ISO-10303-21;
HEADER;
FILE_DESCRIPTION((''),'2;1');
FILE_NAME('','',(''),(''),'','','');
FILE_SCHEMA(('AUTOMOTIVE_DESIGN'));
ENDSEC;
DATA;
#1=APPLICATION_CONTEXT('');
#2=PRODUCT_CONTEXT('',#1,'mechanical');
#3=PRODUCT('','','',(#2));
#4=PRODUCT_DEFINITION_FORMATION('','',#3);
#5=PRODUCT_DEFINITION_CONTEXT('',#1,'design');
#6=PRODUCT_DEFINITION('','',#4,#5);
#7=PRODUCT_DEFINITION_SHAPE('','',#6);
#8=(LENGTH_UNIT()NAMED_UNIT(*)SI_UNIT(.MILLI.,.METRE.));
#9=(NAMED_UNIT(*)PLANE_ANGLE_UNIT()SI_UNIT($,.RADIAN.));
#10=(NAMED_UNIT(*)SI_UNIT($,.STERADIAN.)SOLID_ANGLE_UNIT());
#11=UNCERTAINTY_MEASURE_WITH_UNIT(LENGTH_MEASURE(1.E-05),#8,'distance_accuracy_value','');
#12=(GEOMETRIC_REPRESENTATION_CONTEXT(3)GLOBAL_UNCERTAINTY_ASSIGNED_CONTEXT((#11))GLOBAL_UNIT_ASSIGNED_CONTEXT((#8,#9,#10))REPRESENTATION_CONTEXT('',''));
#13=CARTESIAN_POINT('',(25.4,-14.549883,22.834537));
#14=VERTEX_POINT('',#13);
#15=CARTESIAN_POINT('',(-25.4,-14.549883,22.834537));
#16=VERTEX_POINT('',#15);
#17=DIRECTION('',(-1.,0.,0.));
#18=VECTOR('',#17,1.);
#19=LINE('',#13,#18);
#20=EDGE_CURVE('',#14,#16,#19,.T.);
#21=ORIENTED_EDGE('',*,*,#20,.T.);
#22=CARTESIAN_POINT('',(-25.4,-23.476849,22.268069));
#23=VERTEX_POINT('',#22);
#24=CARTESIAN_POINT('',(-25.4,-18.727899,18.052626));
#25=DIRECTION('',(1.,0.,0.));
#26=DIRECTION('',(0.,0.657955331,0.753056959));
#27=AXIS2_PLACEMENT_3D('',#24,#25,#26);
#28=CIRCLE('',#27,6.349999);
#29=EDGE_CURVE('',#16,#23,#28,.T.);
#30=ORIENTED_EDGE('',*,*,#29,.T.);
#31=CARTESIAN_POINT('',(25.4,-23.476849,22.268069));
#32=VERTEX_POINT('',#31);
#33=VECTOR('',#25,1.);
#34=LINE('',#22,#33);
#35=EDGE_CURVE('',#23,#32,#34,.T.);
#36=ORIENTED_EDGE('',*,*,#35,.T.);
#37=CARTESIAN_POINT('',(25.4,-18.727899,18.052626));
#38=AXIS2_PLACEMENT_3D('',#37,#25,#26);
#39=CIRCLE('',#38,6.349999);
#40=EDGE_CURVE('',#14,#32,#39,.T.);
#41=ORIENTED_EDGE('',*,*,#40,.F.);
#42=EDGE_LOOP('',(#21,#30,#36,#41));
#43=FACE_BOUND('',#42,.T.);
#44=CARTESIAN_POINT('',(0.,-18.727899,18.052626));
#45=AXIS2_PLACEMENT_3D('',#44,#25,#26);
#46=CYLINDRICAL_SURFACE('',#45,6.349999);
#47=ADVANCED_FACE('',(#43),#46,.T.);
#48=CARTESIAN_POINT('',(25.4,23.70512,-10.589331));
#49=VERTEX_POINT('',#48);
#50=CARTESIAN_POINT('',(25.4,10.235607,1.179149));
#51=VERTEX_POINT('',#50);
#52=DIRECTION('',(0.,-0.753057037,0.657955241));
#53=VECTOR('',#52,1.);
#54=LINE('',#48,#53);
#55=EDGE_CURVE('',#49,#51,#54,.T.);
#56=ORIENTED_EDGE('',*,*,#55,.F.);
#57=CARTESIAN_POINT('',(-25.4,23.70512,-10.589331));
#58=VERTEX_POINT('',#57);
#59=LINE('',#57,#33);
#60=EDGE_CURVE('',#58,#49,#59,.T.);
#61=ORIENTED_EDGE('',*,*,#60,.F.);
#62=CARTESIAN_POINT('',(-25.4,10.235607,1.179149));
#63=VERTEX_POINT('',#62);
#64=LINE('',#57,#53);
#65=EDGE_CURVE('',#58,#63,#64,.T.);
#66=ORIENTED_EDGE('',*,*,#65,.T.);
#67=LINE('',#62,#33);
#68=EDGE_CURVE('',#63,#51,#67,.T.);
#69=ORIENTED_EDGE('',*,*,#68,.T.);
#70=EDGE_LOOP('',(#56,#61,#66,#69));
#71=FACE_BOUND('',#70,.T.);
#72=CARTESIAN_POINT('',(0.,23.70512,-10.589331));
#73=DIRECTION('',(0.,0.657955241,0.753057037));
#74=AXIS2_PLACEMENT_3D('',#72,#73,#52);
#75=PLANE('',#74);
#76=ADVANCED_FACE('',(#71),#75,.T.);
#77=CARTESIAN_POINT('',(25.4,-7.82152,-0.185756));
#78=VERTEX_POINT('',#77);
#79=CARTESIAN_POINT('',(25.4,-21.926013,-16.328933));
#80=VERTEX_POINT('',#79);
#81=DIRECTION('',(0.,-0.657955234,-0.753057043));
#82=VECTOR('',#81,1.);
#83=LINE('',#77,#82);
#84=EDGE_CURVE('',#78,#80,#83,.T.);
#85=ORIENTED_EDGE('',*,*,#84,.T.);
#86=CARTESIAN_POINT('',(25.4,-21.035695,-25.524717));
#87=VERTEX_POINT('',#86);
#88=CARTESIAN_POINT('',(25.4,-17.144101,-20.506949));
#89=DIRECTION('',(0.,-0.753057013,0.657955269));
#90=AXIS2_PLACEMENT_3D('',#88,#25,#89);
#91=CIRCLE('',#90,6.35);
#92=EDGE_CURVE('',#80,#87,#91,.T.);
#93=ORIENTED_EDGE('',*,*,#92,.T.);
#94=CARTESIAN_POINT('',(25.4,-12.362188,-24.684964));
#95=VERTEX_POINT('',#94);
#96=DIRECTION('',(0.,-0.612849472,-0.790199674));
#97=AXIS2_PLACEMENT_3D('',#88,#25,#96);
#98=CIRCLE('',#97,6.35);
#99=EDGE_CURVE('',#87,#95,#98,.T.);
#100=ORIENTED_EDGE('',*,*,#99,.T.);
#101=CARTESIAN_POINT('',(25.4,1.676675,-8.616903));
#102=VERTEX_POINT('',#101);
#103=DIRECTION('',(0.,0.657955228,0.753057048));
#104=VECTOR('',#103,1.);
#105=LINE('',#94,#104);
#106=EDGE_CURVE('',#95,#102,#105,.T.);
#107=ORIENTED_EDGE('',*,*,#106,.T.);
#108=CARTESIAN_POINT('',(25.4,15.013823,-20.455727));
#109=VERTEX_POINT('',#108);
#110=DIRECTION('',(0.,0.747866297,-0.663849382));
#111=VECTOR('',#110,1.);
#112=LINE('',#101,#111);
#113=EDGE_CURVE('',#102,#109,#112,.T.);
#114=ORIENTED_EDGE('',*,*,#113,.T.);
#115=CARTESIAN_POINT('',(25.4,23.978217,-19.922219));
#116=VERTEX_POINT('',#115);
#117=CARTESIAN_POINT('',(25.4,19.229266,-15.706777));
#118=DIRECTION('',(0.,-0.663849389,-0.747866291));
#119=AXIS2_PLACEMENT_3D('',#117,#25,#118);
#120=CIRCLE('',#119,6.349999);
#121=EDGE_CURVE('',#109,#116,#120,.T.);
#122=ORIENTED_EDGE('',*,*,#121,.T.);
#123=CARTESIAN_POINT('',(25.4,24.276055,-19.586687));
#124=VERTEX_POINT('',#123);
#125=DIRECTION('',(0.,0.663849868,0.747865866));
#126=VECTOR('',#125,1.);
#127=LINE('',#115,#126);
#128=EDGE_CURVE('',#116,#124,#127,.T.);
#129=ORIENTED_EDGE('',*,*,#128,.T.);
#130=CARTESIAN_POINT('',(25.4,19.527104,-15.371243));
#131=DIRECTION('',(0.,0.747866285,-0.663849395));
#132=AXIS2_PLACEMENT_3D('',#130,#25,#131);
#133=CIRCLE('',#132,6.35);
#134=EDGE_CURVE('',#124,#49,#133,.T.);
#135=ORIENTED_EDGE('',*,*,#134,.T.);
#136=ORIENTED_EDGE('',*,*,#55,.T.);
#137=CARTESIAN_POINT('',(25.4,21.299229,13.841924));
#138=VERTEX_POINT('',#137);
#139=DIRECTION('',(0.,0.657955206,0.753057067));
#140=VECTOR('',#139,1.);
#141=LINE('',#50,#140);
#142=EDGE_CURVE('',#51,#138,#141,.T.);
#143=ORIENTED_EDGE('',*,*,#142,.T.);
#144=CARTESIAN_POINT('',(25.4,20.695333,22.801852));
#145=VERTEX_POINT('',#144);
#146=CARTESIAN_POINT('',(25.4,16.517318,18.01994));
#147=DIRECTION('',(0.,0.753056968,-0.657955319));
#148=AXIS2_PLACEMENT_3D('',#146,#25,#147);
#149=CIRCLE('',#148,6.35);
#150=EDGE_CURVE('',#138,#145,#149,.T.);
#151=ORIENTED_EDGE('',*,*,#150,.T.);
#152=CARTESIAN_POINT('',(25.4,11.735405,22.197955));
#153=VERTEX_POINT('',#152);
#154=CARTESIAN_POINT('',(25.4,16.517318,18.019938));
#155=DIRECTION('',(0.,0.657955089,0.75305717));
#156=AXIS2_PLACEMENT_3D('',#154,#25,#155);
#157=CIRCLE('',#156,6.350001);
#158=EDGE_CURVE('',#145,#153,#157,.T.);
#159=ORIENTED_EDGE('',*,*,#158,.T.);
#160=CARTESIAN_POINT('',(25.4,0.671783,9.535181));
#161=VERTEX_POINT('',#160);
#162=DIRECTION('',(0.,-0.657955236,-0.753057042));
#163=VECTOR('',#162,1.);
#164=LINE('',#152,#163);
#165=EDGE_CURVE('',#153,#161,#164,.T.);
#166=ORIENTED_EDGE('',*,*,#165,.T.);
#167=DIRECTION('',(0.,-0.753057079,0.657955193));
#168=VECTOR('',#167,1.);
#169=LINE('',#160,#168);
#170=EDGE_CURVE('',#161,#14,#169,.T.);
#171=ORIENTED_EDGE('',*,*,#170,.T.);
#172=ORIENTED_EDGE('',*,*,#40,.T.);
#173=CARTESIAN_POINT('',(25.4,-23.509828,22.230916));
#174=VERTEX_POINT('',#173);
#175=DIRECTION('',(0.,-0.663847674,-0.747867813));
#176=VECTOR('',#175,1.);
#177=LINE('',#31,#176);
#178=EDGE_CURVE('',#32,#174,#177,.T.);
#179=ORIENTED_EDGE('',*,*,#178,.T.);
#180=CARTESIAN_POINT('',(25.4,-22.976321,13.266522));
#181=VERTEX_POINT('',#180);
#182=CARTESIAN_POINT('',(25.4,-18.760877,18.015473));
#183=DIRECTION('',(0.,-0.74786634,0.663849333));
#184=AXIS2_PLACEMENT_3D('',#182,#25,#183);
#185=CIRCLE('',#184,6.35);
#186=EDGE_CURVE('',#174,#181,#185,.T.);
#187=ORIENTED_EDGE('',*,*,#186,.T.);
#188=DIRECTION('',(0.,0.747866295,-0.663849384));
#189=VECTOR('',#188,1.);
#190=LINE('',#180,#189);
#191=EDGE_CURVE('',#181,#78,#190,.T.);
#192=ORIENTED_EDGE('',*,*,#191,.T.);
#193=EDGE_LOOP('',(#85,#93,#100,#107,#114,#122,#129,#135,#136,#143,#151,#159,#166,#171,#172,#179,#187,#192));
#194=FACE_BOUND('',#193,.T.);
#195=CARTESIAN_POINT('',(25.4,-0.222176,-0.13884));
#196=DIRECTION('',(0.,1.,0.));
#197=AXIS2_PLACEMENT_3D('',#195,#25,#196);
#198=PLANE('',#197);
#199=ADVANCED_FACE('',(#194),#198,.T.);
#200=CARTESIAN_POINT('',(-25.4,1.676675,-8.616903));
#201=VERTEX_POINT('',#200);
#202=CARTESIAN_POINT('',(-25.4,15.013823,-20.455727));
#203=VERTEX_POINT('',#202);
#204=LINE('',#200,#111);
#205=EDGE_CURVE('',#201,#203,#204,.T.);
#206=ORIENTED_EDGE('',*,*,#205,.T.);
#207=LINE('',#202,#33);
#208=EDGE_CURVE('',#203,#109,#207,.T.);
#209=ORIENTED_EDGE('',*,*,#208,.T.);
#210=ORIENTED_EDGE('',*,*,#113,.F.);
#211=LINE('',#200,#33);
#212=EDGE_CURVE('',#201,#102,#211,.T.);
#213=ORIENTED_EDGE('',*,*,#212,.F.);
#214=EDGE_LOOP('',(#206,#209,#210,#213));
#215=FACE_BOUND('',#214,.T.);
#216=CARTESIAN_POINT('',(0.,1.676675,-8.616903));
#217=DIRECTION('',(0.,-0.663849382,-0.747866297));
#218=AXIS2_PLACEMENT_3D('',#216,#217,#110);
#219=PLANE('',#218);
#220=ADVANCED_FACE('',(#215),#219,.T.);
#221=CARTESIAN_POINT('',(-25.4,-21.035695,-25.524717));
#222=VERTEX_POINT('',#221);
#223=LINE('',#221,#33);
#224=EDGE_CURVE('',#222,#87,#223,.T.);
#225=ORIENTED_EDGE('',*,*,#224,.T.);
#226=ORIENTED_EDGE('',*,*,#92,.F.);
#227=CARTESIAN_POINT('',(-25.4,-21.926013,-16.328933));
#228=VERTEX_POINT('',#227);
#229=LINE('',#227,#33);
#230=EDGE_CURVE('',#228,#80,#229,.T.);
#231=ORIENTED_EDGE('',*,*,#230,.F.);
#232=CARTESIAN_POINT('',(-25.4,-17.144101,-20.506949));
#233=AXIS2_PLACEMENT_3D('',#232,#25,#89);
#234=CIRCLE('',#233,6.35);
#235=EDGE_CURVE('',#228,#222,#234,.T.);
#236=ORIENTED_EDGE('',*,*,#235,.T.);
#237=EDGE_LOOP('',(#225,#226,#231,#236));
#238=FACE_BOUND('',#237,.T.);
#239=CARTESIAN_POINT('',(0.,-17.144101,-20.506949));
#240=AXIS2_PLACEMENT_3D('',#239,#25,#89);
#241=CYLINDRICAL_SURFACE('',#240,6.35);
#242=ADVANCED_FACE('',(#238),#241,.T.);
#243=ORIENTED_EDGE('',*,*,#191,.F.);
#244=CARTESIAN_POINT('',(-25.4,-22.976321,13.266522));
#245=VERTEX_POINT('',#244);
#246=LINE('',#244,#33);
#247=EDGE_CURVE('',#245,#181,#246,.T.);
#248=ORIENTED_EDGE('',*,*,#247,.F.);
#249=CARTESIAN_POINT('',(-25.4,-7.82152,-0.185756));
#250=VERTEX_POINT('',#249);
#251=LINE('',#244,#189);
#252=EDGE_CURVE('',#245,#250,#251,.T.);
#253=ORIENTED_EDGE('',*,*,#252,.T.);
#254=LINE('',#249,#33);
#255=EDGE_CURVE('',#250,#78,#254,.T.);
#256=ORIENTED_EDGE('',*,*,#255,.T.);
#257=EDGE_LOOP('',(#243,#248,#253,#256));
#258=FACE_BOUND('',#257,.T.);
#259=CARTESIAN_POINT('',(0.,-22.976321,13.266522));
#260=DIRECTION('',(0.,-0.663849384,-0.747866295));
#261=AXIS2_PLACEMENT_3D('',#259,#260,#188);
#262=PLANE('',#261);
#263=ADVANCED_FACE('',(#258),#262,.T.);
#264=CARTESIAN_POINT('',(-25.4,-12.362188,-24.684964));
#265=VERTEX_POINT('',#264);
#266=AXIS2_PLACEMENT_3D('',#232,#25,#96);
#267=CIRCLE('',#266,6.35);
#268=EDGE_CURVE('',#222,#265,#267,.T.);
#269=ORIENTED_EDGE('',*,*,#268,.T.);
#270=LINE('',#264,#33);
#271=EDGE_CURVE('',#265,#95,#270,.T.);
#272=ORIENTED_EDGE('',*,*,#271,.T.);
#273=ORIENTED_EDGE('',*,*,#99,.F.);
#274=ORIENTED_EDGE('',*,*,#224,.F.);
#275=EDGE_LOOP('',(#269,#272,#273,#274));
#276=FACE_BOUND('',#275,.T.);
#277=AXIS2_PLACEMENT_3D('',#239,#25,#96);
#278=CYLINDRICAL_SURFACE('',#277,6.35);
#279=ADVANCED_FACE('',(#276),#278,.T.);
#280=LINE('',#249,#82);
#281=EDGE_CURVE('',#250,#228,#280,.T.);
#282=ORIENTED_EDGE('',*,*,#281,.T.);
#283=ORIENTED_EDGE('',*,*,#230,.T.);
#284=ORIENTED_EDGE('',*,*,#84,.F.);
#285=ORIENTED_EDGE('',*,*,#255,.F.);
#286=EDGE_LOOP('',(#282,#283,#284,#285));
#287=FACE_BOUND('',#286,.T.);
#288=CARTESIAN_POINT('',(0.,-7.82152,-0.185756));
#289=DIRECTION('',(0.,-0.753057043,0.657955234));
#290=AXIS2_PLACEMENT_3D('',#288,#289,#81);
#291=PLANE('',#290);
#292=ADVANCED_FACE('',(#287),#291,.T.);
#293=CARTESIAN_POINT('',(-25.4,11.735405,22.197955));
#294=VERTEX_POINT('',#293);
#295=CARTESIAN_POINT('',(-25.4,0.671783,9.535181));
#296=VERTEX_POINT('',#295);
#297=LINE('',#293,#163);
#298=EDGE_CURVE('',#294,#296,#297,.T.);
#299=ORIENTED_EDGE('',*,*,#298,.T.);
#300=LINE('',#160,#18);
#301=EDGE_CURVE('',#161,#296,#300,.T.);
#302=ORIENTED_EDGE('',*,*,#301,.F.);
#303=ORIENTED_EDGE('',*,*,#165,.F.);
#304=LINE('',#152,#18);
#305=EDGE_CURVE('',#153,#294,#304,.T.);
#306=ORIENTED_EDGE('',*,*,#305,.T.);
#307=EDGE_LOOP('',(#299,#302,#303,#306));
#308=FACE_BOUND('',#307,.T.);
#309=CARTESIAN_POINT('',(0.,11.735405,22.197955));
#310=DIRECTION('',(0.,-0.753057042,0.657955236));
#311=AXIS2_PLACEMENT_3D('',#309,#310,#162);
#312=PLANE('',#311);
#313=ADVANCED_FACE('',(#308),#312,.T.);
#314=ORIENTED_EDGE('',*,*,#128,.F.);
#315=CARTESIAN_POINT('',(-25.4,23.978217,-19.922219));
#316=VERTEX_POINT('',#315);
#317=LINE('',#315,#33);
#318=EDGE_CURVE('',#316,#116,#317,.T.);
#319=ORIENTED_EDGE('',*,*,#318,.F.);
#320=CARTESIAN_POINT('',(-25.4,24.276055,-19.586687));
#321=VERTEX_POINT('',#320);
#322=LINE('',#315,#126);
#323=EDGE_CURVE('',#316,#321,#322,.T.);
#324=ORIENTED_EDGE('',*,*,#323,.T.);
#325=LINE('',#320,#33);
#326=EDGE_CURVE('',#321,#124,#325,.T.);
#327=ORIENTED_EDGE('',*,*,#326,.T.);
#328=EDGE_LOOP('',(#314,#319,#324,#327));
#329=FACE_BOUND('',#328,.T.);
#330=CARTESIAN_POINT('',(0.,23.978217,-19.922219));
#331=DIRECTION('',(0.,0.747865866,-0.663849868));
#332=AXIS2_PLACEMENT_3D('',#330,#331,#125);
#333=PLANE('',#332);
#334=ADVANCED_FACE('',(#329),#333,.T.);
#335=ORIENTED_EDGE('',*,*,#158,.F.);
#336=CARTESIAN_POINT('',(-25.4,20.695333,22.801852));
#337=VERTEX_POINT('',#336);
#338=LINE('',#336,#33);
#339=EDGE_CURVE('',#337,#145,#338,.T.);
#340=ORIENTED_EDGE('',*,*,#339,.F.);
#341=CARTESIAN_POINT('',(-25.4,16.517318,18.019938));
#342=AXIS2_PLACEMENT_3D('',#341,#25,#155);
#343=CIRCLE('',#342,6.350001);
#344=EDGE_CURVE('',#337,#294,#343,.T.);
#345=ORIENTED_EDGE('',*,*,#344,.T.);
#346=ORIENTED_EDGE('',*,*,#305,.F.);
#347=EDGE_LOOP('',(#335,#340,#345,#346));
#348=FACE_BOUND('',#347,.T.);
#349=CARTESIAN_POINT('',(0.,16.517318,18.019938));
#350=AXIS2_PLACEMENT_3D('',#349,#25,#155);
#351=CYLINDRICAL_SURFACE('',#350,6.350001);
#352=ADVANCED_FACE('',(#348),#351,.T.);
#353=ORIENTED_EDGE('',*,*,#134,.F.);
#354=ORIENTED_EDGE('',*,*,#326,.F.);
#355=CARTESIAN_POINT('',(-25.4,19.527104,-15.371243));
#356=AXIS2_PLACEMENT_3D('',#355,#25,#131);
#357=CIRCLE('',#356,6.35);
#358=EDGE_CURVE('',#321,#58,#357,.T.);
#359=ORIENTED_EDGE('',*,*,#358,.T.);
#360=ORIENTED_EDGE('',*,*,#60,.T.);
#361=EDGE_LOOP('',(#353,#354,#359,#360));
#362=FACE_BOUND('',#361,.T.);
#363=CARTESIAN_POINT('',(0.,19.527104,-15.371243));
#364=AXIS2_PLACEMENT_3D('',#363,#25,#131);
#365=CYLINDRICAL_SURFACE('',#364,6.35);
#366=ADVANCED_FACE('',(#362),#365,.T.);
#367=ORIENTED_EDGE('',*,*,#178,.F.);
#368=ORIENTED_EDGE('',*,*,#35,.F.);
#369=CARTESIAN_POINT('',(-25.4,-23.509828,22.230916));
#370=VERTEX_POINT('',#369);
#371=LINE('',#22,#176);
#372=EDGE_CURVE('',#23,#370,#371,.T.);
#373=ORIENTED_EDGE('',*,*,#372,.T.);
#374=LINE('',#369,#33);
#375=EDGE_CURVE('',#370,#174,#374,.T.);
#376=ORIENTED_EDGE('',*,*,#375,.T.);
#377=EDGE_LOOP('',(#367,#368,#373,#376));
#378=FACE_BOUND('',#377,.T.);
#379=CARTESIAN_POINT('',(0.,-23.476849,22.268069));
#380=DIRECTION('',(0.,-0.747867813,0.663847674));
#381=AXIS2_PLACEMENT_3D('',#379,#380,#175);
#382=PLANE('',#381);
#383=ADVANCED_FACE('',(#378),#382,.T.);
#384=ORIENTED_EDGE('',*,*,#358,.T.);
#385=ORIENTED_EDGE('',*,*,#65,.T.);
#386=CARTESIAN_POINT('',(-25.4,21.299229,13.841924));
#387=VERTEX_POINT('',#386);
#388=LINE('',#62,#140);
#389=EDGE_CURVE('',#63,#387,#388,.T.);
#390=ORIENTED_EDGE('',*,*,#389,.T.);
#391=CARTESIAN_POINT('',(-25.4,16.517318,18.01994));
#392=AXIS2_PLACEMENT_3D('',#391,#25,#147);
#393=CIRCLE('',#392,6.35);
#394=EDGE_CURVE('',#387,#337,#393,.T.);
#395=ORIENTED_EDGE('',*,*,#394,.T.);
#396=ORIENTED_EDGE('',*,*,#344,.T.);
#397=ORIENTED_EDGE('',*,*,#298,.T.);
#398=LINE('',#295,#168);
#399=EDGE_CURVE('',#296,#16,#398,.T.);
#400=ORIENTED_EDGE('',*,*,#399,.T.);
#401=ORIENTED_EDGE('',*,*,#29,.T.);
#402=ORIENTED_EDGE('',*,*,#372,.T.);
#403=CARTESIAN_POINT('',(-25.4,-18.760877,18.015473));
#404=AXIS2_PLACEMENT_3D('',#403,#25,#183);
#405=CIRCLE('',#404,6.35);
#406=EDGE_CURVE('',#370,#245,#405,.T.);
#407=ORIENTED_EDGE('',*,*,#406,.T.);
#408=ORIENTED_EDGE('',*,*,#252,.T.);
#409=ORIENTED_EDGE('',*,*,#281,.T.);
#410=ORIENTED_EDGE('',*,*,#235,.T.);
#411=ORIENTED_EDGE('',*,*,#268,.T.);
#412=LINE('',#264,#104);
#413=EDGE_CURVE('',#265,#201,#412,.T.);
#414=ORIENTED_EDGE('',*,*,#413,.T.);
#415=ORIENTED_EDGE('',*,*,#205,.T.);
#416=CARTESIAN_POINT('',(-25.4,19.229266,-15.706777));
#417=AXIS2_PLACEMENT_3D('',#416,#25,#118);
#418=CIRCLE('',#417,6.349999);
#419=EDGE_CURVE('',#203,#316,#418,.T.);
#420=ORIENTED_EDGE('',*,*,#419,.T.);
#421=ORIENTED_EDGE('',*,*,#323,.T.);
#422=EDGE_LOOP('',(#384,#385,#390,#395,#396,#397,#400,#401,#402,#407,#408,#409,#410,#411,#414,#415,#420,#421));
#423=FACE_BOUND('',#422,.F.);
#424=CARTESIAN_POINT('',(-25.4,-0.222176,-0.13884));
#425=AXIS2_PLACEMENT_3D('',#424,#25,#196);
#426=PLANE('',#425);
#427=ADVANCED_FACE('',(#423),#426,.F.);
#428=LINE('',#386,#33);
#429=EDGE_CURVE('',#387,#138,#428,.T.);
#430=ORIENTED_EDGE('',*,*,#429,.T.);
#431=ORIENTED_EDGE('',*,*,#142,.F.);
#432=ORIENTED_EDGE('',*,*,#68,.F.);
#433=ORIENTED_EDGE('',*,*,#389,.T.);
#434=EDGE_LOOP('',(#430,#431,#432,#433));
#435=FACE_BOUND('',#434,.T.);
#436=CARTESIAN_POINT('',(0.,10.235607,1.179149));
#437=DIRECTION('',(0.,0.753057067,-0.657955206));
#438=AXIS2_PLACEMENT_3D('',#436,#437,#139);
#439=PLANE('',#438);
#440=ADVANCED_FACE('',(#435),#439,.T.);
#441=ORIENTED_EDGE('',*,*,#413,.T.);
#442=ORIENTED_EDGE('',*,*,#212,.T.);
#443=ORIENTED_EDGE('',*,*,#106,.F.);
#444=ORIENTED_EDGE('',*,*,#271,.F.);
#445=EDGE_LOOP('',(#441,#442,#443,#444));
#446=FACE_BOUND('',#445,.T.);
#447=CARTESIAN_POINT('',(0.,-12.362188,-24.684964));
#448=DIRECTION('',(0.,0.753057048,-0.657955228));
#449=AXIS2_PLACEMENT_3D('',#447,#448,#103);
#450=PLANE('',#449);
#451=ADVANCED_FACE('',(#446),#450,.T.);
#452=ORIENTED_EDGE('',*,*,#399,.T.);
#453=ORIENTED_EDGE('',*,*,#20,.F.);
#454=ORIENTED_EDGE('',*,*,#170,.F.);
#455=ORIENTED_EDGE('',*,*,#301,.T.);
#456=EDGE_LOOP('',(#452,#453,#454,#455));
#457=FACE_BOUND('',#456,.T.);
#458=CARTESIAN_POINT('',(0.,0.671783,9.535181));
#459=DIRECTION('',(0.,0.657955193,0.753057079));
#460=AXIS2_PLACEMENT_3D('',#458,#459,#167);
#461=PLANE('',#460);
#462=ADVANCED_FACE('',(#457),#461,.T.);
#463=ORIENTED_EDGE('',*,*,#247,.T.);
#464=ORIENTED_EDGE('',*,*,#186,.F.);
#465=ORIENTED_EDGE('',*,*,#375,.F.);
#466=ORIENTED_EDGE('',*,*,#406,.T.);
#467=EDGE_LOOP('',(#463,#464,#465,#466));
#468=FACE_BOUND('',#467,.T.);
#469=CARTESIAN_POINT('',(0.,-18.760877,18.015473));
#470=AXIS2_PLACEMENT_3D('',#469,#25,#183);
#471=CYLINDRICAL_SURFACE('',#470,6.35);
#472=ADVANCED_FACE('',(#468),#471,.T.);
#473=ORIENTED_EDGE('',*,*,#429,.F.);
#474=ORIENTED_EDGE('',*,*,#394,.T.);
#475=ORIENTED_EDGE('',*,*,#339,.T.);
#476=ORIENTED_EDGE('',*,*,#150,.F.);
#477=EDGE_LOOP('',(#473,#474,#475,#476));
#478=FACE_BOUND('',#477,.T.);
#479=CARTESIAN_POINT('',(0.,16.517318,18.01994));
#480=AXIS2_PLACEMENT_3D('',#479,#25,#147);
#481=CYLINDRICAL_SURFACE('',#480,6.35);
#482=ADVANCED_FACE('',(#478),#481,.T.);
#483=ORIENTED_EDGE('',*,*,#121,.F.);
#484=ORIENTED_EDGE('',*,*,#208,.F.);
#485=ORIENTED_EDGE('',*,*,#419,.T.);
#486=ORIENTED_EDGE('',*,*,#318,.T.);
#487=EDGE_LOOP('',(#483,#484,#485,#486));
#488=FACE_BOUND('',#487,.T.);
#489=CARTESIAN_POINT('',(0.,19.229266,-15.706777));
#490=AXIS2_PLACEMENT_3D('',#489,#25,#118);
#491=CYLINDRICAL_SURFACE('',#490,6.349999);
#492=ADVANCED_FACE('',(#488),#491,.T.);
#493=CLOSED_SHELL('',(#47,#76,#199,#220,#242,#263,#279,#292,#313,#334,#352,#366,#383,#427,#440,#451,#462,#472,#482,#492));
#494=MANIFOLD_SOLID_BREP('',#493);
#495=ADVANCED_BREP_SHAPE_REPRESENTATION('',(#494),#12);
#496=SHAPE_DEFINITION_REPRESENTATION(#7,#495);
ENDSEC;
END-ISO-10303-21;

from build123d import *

# Parameters (mm, degrees)
F1_DEPTH      = 25.4
F1_DEPTH_BACK = 25.4


with BuildPart() as f1:
    # F0 (on Right) → F1 (new body, two sides)
    with BuildSketch(Plane.YZ) as f1_sk:
        with BuildLine():
            ThreePointArc((-14.549883, 22.834537), (-19.130034, 24.389879), (-23.476849, 22.268069))
            Line((-23.476849, 22.268069), (-23.509828, 22.230916))
            ThreePointArc((-23.509828, 22.230916), (-25.099661, 17.638226), (-22.976321, 13.266522))
            Line((-22.976321, 13.266522), (-7.82152, -0.185756))
            Line((-7.82152, -0.185756), (-21.926013, -16.328933))
            ThreePointArc((-21.926013, -16.328933), (-23.464547, -21.118882), (-21.035695, -25.524717))
            ThreePointArc((-21.035695, -25.524717), (-16.532167, -26.827395), (-12.362188, -24.684964))
            Line((-12.362188, -24.684964), (1.676675, -8.616903))
            Line((1.676675, -8.616903), (15.013823, -20.455727))
            ThreePointArc((15.013823, -20.455727), (19.606513, -22.04556), (23.978217, -19.922219))
            Line((23.978217, -19.922219), (24.276055, -19.586687))
            ThreePointArc((24.276055, -19.586687), (25.864358, -14.969107), (23.70512, -10.589331))
            Line((23.70512, -10.589331), (10.235607, 1.179149))
            Line((10.235607, 1.179149), (21.299229, 13.841924))
            ThreePointArc((21.299229, 13.841924), (22.852943, 18.446959), (20.695333, 22.801852))
            ThreePointArc((20.695333, 22.801852), (16.090298, 24.355565), (11.735405, 22.197955))
            Line((11.735405, 22.197955), (0.671783, 9.535181))
            Line((0.671783, 9.535181), (-14.549883, 22.834537))
        make_face()
    extrude(amount=F1_DEPTH)
    extrude(f1_sk.sketch, amount=-F1_DEPTH_BACK)


solid = f1.part
